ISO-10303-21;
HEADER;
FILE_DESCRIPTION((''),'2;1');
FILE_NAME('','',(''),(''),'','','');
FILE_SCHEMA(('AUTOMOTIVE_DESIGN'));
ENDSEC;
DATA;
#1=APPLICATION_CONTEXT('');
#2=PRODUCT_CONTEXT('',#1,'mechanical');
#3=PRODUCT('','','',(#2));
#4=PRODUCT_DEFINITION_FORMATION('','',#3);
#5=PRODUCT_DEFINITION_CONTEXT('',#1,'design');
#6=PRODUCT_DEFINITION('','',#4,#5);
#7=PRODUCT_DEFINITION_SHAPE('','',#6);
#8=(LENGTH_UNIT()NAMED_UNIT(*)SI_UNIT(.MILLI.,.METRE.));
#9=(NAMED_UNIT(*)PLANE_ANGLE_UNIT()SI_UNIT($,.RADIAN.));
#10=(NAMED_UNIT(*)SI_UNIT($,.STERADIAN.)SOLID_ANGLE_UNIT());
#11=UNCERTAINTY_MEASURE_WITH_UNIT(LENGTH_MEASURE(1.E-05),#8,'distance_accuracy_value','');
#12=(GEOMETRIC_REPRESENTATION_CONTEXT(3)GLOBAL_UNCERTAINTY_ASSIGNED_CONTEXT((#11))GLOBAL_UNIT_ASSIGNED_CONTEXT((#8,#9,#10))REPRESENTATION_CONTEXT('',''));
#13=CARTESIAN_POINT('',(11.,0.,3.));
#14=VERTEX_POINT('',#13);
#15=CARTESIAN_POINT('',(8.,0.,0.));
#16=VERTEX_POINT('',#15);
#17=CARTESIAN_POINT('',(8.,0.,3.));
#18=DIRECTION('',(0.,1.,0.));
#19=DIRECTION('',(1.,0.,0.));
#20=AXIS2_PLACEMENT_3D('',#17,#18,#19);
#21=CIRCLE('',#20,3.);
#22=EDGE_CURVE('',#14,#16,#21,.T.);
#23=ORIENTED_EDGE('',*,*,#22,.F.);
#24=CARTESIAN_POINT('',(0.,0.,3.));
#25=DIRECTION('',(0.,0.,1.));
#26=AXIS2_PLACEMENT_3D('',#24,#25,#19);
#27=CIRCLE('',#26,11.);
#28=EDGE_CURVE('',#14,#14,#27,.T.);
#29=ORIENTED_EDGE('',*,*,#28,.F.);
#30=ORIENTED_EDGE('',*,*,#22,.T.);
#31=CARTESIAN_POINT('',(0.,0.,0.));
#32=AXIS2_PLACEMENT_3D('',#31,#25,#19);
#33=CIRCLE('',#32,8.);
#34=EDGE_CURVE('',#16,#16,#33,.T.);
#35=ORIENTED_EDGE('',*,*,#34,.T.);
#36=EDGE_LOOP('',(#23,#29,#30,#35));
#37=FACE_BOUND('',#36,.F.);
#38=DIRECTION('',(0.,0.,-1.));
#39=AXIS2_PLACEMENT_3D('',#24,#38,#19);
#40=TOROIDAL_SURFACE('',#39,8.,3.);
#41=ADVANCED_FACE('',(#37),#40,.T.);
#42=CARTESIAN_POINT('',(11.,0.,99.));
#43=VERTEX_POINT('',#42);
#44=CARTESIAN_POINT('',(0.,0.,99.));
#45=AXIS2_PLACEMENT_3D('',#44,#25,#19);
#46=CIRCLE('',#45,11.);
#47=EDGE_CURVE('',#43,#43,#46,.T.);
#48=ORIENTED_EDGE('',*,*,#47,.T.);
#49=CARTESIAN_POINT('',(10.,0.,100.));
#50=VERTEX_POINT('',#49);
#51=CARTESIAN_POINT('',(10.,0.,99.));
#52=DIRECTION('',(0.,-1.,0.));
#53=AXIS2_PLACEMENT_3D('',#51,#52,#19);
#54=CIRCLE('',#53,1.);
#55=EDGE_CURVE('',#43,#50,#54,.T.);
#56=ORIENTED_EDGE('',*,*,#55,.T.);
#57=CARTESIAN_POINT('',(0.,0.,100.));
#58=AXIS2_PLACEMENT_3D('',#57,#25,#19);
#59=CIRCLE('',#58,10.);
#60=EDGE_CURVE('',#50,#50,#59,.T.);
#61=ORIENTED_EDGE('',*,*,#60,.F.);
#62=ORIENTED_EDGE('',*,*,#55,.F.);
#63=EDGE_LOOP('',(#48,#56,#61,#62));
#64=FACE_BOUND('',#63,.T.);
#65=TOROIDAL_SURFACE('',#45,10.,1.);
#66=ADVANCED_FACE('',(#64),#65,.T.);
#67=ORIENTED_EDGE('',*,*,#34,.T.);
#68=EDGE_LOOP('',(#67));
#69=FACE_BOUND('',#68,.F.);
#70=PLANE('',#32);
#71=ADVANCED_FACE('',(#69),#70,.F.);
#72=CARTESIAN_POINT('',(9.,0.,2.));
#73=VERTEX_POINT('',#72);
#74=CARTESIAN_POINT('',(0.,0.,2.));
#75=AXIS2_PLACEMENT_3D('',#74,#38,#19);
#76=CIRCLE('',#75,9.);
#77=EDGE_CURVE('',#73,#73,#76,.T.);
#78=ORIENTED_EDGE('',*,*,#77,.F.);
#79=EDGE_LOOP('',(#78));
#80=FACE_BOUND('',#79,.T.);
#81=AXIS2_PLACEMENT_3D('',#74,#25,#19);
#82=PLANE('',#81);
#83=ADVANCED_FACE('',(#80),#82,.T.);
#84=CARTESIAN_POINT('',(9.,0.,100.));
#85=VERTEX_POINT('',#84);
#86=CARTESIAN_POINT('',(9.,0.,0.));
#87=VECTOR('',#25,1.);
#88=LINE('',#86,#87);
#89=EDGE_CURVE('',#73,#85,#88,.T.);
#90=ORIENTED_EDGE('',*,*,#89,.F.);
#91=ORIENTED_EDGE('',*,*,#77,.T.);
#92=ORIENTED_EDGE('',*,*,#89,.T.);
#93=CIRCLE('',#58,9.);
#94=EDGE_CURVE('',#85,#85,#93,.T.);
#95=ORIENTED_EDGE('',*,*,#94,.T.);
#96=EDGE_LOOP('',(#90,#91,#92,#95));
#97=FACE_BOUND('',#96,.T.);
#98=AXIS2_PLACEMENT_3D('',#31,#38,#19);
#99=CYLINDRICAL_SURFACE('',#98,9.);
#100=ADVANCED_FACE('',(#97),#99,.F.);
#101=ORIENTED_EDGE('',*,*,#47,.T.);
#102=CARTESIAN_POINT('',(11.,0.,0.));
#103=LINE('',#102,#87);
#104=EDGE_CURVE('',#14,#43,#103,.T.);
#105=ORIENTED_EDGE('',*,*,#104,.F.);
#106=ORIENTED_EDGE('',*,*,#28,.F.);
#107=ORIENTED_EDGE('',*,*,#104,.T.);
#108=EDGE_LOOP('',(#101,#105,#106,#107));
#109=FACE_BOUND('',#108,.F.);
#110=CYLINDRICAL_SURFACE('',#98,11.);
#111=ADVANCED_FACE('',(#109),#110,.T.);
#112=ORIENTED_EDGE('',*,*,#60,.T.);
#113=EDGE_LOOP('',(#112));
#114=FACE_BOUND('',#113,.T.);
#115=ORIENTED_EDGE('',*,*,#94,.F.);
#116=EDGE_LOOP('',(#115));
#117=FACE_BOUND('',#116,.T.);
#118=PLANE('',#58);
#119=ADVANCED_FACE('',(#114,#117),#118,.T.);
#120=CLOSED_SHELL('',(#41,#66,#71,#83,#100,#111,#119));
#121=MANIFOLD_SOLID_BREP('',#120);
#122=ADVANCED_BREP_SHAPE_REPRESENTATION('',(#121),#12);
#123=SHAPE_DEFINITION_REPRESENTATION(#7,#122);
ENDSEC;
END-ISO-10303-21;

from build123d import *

# Parameters (mm, degrees)
F0_R     = 11
F1_DEPTH = 100
F2_T     = -2
F3_R     = 3
F4_R     = 1


with BuildPart() as f1:
    # F0 (on Top) → F1 (new body)
    with BuildSketch(Plane.XY):
        Circle(F0_R)
    extrude(amount=F1_DEPTH)

    # F2
    f2_openings = [f1.faces().sort_by_distance(p)[0] for p in [
        (0, 0, 100),
    ]]
    offset(amount=F2_T, openings=f2_openings)

    # F3
    f3_edges = [f1.edges().sort_by_distance(p)[0] for p in [
        (-11, 0, 0),
    ]]
    fillet(f3_edges, radius=F3_R)

    # F4
    f4_edges = [f1.edges().sort_by_distance(p)[0] for p in [
        (-11, 0, 100),
    ]]
    fillet(f4_edges, radius=F4_R)


solid = f1.part
